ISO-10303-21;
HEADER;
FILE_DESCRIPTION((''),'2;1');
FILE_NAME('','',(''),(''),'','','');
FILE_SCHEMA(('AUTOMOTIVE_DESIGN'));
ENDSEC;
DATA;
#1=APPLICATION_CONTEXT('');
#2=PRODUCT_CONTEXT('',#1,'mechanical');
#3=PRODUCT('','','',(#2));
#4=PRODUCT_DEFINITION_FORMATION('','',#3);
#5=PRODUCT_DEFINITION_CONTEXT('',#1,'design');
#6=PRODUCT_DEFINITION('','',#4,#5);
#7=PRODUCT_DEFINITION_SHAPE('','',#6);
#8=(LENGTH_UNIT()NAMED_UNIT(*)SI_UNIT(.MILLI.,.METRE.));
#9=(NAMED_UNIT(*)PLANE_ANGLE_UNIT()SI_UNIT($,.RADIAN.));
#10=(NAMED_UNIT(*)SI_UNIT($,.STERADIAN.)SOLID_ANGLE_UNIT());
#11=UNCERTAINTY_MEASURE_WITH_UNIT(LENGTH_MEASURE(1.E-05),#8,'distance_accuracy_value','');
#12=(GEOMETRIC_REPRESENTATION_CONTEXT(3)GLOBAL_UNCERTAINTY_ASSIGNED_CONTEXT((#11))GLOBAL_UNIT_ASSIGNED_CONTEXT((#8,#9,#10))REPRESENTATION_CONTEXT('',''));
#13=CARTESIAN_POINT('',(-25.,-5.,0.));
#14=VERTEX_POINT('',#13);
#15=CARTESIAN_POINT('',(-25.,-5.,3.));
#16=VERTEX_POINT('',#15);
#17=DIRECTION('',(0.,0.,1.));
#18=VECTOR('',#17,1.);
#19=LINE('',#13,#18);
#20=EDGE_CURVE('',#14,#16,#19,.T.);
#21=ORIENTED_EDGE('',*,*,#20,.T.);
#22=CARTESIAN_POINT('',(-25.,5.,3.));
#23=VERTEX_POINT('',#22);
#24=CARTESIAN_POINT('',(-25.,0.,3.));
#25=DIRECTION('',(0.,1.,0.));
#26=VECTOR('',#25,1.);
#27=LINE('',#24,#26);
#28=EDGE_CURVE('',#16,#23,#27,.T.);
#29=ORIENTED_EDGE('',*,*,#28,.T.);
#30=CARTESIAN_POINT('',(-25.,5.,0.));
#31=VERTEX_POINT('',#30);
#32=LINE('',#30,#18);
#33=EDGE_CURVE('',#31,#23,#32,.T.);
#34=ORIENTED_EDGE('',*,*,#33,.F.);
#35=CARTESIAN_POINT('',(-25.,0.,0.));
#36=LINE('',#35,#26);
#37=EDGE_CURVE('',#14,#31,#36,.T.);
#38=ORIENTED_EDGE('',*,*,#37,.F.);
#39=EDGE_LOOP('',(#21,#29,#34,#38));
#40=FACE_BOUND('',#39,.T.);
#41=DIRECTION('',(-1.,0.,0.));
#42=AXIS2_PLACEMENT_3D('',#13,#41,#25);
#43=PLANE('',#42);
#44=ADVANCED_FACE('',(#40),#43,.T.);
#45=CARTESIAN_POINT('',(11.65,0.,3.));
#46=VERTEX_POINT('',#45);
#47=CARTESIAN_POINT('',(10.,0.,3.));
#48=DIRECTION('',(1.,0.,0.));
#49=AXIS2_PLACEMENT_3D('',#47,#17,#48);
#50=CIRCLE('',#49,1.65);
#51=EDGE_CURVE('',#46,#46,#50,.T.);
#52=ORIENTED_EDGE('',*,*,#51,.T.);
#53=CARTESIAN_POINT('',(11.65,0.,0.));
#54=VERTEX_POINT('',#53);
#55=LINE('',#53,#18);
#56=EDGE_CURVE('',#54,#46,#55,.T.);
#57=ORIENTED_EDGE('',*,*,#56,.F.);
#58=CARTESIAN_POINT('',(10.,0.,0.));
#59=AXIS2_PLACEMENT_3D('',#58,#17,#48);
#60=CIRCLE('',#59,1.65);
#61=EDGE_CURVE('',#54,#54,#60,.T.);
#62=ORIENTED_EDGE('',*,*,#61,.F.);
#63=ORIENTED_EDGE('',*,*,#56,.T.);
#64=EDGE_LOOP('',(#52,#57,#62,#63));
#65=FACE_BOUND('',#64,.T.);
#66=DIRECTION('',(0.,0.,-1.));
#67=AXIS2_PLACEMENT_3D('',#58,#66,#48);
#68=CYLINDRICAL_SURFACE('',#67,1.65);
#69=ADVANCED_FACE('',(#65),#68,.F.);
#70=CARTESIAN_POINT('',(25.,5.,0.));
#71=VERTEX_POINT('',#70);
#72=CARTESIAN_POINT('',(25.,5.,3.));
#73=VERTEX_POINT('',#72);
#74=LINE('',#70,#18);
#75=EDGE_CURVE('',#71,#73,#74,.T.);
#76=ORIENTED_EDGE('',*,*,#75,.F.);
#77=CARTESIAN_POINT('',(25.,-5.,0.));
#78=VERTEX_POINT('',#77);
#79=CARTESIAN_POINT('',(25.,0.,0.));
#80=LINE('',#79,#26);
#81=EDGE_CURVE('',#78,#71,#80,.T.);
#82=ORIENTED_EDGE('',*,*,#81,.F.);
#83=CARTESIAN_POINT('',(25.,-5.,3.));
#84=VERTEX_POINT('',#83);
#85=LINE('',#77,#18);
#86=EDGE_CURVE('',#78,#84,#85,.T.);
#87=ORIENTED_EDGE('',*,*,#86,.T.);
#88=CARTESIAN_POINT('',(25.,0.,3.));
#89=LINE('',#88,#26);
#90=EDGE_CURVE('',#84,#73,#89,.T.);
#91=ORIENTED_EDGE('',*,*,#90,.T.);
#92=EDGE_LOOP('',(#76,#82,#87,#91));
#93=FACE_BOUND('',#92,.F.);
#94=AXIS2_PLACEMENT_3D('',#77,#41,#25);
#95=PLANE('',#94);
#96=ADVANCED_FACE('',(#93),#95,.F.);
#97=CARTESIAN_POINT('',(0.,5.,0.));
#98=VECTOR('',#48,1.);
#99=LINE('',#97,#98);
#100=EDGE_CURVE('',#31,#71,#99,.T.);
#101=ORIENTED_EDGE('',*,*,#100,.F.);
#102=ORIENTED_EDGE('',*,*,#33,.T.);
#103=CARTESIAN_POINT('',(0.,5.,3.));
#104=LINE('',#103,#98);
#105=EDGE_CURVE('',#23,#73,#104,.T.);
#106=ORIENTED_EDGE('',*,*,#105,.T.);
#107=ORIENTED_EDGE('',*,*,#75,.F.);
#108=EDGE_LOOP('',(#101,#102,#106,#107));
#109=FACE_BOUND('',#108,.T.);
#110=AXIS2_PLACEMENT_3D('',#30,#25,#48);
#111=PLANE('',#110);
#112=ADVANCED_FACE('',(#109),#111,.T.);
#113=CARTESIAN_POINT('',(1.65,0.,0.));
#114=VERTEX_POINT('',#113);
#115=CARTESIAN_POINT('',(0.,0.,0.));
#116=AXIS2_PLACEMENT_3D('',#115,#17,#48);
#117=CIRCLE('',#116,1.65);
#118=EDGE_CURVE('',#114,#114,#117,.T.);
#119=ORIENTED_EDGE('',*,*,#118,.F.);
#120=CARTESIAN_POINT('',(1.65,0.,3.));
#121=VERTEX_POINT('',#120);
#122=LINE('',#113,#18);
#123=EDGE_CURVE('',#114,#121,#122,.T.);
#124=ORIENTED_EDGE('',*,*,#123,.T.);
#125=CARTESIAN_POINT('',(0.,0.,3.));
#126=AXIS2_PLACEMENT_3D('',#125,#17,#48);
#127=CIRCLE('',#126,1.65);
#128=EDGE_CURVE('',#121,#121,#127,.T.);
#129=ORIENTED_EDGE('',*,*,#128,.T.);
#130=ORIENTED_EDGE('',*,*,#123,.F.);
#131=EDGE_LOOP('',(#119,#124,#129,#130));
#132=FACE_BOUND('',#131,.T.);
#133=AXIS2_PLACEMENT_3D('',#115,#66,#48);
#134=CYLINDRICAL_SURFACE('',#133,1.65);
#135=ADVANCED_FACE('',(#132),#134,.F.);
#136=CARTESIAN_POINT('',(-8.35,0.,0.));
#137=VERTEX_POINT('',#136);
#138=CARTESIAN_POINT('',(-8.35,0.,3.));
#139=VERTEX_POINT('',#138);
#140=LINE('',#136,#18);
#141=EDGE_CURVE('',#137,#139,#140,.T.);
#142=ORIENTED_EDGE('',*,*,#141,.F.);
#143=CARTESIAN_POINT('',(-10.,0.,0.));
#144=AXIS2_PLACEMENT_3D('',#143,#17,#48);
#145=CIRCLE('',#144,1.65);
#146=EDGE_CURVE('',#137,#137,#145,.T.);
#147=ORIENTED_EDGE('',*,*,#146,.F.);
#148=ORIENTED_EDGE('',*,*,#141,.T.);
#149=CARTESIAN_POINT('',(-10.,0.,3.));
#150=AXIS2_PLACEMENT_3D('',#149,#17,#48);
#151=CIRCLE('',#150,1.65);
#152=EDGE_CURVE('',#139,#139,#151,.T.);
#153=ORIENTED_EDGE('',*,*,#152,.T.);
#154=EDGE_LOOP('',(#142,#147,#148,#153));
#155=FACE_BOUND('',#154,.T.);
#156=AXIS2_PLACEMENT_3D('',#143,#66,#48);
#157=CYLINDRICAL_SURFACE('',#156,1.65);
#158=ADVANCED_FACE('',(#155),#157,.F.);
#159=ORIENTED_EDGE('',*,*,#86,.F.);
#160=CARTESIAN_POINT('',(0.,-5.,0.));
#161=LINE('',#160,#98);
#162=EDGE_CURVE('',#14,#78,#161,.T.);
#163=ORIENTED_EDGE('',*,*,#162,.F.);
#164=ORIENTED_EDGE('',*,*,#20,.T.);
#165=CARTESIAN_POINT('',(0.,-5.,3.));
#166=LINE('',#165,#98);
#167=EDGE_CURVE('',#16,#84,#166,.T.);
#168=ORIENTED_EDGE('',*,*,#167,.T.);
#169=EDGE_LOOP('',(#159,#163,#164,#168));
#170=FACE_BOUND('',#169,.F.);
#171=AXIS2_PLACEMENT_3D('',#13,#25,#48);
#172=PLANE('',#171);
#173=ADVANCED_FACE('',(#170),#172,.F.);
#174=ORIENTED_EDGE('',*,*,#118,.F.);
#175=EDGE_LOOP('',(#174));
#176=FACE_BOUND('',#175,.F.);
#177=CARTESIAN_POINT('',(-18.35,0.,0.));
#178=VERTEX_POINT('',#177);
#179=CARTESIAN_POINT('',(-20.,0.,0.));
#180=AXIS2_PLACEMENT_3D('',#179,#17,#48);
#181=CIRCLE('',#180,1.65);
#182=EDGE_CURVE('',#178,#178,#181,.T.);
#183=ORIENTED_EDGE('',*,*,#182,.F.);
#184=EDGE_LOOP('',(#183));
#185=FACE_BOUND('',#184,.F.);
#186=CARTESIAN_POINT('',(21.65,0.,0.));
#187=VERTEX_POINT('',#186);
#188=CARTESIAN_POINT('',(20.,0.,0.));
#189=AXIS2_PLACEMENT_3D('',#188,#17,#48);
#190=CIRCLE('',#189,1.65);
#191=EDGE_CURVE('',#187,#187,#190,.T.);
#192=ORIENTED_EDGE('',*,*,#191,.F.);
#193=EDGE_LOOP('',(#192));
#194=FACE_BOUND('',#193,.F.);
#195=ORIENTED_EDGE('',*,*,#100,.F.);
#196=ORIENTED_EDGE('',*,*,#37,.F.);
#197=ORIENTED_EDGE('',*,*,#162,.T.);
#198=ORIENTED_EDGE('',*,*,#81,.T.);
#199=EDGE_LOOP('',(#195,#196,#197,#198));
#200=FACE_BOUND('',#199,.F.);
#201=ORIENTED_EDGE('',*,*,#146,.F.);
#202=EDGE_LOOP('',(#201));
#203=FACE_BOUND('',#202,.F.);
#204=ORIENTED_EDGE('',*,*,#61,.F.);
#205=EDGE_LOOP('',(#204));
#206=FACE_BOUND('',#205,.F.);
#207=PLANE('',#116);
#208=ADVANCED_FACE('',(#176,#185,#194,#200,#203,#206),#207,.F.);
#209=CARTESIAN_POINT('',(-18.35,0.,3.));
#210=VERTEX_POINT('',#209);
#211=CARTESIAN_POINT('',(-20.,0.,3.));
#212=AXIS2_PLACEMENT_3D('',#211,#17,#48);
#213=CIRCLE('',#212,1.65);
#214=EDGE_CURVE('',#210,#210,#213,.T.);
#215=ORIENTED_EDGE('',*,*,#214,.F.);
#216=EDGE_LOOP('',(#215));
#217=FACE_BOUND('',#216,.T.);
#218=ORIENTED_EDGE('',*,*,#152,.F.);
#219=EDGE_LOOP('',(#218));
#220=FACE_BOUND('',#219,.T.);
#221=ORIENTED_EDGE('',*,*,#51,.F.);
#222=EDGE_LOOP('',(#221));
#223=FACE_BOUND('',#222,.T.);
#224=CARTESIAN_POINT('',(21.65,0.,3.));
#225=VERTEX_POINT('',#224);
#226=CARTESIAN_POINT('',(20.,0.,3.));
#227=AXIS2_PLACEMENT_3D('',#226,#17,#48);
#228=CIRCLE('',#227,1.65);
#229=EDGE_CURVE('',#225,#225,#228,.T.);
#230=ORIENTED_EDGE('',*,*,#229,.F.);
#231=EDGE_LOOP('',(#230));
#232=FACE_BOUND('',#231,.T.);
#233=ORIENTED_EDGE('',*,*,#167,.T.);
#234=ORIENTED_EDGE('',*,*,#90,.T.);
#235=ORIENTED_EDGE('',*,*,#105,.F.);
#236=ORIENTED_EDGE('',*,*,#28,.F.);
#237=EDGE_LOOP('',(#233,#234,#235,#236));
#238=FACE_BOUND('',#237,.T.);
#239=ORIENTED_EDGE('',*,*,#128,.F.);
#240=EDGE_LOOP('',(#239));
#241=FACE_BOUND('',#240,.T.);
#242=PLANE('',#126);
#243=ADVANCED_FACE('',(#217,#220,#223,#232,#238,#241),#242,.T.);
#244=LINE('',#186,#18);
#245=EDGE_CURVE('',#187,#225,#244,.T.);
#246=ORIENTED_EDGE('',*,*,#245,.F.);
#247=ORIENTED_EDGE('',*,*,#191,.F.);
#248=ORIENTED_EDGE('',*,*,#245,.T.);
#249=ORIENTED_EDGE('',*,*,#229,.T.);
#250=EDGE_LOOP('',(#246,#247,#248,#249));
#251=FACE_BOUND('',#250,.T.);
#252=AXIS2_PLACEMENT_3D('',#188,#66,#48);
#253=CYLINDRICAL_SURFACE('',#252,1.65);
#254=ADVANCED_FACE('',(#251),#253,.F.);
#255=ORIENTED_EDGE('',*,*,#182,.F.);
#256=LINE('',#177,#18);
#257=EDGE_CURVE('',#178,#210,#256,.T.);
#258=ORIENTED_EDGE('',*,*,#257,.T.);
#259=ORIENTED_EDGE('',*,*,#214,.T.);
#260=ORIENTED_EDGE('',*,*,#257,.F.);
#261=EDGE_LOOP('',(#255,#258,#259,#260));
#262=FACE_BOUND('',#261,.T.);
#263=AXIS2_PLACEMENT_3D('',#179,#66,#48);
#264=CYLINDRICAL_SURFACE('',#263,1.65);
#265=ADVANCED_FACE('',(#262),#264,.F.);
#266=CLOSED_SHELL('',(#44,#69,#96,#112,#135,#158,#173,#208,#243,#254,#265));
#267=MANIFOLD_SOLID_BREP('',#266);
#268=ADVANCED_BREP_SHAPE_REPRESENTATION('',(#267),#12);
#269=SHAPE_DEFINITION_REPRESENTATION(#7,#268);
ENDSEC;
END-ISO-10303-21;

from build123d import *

# Parameters (mm, degrees)
SKETCH_W      = 50
SKETCH_H      = 10
SKETCH_R      = 1.65
EXTRUDE_DEPTH = 3


with BuildPart() as part:
    # Sketch → Extrude (new body)
    with BuildSketch(Plane.XY):
        Rectangle(SKETCH_W, SKETCH_H)
        Circle(SKETCH_R, mode=Mode.SUBTRACT)
        with Locations((-10, 0)):
            Circle(SKETCH_R, mode=Mode.SUBTRACT)
        with Locations((10, 0)):
            Circle(SKETCH_R, mode=Mode.SUBTRACT)
        with Locations((-20, 0)):
            Circle(SKETCH_R, mode=Mode.SUBTRACT)
        with Locations((20, 0)):
            Circle(SKETCH_R, mode=Mode.SUBTRACT)
    extrude(amount=EXTRUDE_DEPTH)


solid = part.part
